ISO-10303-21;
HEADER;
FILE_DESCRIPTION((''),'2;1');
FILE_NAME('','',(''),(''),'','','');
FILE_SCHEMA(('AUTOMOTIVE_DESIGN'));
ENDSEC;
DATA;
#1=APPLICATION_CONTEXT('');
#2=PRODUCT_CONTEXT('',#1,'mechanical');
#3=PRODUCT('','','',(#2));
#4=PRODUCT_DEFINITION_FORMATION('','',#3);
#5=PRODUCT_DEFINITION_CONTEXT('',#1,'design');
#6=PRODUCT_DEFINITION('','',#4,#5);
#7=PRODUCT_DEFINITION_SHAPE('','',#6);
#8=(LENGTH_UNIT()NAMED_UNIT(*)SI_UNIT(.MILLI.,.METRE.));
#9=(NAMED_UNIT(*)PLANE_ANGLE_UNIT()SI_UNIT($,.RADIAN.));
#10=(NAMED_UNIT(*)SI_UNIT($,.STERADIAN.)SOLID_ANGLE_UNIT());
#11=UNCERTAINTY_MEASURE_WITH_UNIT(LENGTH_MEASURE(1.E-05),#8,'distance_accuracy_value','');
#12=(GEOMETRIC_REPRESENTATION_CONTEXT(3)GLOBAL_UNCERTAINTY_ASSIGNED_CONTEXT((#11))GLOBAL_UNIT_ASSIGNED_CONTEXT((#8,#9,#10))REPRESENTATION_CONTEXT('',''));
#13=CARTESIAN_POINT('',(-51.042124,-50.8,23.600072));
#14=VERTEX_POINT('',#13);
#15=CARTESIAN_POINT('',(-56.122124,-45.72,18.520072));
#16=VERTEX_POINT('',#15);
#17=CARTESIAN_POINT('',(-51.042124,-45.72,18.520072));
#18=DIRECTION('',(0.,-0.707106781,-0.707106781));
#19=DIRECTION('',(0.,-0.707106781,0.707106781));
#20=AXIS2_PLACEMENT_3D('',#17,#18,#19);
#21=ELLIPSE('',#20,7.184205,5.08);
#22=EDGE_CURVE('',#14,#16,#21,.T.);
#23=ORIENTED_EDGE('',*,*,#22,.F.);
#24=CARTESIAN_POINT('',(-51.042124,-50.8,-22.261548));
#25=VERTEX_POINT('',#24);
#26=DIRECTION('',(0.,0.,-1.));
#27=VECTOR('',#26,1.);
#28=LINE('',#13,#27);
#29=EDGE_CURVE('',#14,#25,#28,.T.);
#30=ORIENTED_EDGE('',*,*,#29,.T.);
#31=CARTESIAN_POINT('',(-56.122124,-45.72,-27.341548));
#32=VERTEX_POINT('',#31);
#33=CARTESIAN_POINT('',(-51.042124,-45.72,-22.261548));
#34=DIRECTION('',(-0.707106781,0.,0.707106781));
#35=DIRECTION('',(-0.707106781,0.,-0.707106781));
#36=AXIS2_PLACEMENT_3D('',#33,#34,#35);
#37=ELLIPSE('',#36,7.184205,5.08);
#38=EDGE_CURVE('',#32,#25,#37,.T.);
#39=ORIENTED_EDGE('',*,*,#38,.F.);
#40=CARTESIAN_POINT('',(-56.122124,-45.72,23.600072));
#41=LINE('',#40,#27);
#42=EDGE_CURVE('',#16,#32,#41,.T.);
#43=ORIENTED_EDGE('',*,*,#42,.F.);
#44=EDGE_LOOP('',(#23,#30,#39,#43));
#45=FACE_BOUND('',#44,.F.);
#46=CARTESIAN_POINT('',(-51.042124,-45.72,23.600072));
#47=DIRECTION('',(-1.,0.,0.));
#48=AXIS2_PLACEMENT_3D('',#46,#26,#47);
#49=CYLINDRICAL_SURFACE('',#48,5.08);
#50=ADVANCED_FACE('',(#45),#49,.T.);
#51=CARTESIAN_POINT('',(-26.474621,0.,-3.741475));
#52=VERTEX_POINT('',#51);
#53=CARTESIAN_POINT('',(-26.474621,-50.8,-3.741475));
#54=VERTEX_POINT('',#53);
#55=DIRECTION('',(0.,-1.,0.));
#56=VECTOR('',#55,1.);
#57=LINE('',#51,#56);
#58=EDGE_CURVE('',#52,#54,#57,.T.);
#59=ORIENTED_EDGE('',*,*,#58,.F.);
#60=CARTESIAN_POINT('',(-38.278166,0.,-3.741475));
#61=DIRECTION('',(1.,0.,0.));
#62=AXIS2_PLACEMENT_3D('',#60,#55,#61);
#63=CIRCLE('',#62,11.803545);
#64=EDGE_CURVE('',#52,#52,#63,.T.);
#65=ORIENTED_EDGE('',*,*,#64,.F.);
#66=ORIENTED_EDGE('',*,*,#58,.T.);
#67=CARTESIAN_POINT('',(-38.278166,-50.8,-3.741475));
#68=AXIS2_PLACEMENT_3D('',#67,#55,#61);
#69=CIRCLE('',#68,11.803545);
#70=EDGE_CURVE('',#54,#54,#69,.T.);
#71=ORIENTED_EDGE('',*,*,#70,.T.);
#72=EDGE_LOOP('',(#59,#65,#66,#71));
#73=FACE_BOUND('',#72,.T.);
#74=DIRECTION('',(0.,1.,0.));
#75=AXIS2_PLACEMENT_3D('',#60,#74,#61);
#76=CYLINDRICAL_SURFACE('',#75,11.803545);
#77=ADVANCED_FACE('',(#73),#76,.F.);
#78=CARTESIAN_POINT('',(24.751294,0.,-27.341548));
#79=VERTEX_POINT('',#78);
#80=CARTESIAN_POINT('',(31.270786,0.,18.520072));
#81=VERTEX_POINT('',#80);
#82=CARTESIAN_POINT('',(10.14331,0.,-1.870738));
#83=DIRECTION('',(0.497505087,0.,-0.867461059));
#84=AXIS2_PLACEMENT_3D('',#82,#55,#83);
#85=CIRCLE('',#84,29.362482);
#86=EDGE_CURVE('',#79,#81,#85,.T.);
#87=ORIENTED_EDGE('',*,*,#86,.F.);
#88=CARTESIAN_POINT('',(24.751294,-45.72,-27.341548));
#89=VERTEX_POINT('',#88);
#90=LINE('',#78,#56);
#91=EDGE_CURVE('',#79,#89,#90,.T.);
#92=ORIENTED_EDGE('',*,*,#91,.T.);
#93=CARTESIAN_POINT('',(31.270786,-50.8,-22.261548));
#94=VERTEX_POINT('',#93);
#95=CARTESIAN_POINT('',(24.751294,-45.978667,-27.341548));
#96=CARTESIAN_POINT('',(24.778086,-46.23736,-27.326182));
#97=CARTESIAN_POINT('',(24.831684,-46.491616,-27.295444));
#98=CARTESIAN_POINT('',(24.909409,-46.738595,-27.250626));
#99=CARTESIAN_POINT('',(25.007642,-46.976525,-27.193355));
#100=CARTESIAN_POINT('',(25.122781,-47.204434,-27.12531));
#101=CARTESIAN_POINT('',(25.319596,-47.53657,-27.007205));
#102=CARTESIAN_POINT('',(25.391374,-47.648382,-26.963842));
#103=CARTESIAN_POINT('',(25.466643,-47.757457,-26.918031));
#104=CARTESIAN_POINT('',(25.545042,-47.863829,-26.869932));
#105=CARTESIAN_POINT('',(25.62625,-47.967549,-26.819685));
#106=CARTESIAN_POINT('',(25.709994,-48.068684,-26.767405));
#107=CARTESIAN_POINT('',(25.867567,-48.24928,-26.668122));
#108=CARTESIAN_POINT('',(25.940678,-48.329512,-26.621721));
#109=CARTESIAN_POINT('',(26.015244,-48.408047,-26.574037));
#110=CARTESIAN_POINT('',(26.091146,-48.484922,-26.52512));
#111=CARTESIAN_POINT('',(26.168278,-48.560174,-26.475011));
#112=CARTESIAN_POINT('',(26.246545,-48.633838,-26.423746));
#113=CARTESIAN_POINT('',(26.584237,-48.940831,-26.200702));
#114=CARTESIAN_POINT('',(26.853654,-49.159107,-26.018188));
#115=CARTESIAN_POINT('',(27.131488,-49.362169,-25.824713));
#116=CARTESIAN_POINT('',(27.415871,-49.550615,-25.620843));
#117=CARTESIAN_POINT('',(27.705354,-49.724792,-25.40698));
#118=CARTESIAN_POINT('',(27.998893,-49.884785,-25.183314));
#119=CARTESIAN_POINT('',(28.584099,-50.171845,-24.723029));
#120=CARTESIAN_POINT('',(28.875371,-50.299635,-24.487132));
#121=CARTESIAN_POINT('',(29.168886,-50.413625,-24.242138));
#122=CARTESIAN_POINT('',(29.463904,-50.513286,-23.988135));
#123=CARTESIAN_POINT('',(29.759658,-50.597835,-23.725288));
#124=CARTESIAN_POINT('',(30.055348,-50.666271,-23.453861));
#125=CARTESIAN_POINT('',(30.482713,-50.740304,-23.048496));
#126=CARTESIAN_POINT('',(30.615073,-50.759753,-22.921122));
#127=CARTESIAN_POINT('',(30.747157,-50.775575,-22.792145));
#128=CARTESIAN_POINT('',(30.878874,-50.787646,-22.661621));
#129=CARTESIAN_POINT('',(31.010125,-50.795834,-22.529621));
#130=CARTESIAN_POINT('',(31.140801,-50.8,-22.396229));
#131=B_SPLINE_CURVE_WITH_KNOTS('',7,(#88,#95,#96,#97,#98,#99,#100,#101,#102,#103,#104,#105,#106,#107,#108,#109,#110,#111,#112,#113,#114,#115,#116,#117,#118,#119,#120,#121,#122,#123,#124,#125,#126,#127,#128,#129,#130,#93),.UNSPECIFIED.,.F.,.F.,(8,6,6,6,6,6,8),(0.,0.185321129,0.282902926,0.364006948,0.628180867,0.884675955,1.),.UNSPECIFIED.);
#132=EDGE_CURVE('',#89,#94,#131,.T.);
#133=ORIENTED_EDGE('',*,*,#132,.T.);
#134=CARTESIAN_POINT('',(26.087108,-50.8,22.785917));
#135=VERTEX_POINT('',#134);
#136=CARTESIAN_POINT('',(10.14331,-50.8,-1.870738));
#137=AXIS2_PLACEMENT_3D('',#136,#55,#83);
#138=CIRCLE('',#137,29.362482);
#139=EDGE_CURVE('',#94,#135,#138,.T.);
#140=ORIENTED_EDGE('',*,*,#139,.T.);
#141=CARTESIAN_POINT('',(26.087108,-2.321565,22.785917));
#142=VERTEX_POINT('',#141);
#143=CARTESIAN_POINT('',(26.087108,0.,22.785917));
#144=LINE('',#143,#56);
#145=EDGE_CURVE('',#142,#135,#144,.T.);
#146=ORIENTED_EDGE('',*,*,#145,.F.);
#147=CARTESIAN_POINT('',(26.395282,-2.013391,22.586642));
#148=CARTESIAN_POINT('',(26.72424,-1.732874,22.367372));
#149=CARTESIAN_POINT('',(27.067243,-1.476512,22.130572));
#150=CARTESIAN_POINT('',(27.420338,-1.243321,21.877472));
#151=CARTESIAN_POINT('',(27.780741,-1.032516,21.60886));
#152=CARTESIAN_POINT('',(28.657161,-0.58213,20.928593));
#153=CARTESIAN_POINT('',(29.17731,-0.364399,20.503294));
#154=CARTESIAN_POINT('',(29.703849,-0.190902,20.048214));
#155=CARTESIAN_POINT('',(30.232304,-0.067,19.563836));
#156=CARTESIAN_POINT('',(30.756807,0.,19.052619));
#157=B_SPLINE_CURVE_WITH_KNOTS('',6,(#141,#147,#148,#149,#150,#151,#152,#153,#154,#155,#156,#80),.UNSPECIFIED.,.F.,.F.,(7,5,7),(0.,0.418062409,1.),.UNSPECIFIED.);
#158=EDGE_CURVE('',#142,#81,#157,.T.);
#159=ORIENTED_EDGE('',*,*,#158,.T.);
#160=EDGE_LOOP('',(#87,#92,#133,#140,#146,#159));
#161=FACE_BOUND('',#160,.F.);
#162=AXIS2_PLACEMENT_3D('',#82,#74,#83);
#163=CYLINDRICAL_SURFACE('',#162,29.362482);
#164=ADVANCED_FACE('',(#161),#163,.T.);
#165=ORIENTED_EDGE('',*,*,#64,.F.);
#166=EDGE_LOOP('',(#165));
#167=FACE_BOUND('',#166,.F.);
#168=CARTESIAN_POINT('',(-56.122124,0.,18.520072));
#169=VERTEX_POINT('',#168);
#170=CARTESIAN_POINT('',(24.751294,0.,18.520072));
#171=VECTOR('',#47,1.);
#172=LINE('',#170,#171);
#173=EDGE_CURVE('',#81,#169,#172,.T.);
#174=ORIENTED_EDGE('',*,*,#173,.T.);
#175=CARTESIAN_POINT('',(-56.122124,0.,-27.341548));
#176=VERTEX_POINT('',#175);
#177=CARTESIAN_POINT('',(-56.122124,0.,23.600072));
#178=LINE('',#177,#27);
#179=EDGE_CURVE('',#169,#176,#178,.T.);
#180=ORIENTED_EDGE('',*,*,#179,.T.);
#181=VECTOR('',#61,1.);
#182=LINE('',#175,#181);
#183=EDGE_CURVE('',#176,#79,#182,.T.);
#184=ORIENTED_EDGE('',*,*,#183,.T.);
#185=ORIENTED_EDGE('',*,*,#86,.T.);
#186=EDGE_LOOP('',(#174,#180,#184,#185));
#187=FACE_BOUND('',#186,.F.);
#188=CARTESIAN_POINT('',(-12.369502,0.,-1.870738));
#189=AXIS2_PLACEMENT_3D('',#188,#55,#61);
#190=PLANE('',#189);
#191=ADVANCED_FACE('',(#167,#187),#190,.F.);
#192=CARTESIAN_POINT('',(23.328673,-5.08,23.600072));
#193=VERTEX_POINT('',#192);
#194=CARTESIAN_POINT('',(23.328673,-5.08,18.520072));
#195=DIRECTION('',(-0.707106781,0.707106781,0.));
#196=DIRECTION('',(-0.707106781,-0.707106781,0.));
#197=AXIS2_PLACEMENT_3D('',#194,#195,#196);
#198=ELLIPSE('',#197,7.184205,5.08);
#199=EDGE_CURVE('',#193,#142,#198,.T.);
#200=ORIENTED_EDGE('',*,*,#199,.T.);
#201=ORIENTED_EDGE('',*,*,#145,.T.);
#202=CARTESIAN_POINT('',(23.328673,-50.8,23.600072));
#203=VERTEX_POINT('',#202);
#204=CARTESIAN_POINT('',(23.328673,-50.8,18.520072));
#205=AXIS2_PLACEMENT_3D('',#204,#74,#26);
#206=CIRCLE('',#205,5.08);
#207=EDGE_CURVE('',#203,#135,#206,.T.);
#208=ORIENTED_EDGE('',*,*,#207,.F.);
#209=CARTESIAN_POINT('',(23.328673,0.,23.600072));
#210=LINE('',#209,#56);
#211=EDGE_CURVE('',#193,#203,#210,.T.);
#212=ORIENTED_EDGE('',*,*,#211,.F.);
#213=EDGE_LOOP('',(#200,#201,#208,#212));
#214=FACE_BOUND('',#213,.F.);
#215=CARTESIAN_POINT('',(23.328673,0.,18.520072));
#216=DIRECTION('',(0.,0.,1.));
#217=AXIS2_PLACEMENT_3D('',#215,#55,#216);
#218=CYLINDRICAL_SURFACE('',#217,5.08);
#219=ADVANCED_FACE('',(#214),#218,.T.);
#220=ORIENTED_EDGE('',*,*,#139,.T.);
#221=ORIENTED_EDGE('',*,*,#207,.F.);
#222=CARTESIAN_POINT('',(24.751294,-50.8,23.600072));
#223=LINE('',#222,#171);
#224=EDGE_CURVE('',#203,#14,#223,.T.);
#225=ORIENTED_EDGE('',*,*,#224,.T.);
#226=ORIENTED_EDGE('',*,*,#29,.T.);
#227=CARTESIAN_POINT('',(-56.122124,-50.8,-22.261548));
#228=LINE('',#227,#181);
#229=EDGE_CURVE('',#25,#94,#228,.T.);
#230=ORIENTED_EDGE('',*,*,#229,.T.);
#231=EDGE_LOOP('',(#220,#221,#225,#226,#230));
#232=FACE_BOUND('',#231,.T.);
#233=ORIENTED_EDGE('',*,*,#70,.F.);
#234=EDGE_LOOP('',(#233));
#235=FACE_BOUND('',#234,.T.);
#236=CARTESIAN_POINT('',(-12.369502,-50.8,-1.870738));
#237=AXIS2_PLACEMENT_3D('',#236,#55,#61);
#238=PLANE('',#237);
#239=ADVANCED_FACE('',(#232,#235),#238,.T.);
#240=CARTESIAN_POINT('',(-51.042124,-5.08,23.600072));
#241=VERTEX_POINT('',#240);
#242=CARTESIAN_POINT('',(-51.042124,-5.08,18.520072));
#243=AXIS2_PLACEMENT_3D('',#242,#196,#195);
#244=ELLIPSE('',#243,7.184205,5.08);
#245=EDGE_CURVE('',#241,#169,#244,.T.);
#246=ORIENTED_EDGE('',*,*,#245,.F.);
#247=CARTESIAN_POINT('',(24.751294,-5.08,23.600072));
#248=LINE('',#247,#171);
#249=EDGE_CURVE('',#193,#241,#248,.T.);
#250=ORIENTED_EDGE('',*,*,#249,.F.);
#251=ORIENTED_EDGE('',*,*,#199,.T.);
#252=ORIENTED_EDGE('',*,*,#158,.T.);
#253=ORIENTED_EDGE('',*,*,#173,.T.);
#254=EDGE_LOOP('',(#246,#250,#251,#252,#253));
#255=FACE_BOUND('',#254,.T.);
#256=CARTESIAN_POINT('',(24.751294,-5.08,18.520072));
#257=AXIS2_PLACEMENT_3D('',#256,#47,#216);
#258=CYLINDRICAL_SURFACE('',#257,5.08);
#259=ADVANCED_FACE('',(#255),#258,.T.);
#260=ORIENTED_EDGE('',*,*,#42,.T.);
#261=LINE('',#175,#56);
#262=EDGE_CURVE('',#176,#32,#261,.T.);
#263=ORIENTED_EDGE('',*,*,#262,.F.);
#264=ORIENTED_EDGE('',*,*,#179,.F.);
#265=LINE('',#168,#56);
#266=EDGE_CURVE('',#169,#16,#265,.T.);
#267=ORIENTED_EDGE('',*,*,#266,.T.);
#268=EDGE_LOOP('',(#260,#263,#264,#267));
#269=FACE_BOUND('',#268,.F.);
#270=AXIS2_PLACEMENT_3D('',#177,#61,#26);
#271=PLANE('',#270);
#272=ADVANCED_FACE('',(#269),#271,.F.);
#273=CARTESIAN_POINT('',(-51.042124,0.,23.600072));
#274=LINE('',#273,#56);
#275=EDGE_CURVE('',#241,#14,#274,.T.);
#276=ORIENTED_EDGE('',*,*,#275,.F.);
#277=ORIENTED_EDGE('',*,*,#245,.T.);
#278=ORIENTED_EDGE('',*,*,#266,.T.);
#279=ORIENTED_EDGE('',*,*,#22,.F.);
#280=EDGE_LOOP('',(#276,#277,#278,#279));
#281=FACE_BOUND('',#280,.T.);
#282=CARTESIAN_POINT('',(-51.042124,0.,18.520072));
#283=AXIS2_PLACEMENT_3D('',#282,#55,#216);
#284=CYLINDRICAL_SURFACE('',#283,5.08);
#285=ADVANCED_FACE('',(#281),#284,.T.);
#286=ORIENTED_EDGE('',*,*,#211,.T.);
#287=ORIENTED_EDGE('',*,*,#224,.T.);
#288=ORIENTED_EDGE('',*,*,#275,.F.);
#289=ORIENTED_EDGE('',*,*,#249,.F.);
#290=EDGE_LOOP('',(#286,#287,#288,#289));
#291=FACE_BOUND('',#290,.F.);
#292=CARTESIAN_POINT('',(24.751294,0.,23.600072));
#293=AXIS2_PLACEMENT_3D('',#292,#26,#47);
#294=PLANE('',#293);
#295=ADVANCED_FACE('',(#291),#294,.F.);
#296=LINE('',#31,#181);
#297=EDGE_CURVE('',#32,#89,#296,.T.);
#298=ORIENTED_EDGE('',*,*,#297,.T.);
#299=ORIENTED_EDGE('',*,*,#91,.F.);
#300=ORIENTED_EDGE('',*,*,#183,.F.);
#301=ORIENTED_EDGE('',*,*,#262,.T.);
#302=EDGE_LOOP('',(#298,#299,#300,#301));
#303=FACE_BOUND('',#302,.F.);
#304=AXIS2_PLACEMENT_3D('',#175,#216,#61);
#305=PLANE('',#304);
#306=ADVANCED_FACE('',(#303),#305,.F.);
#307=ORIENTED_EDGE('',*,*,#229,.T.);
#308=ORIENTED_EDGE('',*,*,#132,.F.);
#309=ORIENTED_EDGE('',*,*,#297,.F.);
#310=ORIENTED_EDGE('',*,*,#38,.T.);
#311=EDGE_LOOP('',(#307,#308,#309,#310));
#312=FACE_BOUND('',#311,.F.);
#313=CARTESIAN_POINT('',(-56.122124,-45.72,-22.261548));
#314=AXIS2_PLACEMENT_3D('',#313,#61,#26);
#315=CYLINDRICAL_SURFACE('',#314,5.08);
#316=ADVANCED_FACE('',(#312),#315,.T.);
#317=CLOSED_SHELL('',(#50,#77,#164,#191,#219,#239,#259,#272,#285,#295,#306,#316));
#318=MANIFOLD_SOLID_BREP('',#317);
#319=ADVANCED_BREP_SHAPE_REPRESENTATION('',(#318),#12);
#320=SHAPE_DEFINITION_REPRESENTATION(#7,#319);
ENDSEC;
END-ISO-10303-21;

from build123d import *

# Parameters (mm, degrees)
F0_R     = 11.803545
F1_DEPTH = 50.8
F2_R     = 5.08


with BuildPart() as f1:
    # F0 (on Front) → F1 (new body)
    with BuildSketch(Plane.XZ):
        with BuildLine():
            Line((24.751294, 23.600072), (-56.122124, 23.600072))
            Line((-56.122124, 23.600072), (-56.122124, -27.341548))
            Line((-56.122124, -27.341548), (24.751294, -27.341548))
            ThreePointArc((24.751294, -27.341548), (39.505792, -1.870738), (24.751294, 23.600072))
        make_face()
        with Locations((-38.278166, -3.741475)):
            Circle(F0_R, mode=Mode.SUBTRACT)
    extrude(amount=F1_DEPTH)

    # F2
    f2_edges = [f1.edges().sort_by_distance(p)[0] for p in [
        (24.751294, -25.4, 23.600072),
        (-15.685415, 0, 23.600072),
        (-56.122124, -25.4, 23.600072),
        (-56.122124, -50.8, -1.870738),
        (-15.685415, -50.8, -27.341548),
    ]]
    fillet(f2_edges, radius=F2_R)


solid = f1.part
